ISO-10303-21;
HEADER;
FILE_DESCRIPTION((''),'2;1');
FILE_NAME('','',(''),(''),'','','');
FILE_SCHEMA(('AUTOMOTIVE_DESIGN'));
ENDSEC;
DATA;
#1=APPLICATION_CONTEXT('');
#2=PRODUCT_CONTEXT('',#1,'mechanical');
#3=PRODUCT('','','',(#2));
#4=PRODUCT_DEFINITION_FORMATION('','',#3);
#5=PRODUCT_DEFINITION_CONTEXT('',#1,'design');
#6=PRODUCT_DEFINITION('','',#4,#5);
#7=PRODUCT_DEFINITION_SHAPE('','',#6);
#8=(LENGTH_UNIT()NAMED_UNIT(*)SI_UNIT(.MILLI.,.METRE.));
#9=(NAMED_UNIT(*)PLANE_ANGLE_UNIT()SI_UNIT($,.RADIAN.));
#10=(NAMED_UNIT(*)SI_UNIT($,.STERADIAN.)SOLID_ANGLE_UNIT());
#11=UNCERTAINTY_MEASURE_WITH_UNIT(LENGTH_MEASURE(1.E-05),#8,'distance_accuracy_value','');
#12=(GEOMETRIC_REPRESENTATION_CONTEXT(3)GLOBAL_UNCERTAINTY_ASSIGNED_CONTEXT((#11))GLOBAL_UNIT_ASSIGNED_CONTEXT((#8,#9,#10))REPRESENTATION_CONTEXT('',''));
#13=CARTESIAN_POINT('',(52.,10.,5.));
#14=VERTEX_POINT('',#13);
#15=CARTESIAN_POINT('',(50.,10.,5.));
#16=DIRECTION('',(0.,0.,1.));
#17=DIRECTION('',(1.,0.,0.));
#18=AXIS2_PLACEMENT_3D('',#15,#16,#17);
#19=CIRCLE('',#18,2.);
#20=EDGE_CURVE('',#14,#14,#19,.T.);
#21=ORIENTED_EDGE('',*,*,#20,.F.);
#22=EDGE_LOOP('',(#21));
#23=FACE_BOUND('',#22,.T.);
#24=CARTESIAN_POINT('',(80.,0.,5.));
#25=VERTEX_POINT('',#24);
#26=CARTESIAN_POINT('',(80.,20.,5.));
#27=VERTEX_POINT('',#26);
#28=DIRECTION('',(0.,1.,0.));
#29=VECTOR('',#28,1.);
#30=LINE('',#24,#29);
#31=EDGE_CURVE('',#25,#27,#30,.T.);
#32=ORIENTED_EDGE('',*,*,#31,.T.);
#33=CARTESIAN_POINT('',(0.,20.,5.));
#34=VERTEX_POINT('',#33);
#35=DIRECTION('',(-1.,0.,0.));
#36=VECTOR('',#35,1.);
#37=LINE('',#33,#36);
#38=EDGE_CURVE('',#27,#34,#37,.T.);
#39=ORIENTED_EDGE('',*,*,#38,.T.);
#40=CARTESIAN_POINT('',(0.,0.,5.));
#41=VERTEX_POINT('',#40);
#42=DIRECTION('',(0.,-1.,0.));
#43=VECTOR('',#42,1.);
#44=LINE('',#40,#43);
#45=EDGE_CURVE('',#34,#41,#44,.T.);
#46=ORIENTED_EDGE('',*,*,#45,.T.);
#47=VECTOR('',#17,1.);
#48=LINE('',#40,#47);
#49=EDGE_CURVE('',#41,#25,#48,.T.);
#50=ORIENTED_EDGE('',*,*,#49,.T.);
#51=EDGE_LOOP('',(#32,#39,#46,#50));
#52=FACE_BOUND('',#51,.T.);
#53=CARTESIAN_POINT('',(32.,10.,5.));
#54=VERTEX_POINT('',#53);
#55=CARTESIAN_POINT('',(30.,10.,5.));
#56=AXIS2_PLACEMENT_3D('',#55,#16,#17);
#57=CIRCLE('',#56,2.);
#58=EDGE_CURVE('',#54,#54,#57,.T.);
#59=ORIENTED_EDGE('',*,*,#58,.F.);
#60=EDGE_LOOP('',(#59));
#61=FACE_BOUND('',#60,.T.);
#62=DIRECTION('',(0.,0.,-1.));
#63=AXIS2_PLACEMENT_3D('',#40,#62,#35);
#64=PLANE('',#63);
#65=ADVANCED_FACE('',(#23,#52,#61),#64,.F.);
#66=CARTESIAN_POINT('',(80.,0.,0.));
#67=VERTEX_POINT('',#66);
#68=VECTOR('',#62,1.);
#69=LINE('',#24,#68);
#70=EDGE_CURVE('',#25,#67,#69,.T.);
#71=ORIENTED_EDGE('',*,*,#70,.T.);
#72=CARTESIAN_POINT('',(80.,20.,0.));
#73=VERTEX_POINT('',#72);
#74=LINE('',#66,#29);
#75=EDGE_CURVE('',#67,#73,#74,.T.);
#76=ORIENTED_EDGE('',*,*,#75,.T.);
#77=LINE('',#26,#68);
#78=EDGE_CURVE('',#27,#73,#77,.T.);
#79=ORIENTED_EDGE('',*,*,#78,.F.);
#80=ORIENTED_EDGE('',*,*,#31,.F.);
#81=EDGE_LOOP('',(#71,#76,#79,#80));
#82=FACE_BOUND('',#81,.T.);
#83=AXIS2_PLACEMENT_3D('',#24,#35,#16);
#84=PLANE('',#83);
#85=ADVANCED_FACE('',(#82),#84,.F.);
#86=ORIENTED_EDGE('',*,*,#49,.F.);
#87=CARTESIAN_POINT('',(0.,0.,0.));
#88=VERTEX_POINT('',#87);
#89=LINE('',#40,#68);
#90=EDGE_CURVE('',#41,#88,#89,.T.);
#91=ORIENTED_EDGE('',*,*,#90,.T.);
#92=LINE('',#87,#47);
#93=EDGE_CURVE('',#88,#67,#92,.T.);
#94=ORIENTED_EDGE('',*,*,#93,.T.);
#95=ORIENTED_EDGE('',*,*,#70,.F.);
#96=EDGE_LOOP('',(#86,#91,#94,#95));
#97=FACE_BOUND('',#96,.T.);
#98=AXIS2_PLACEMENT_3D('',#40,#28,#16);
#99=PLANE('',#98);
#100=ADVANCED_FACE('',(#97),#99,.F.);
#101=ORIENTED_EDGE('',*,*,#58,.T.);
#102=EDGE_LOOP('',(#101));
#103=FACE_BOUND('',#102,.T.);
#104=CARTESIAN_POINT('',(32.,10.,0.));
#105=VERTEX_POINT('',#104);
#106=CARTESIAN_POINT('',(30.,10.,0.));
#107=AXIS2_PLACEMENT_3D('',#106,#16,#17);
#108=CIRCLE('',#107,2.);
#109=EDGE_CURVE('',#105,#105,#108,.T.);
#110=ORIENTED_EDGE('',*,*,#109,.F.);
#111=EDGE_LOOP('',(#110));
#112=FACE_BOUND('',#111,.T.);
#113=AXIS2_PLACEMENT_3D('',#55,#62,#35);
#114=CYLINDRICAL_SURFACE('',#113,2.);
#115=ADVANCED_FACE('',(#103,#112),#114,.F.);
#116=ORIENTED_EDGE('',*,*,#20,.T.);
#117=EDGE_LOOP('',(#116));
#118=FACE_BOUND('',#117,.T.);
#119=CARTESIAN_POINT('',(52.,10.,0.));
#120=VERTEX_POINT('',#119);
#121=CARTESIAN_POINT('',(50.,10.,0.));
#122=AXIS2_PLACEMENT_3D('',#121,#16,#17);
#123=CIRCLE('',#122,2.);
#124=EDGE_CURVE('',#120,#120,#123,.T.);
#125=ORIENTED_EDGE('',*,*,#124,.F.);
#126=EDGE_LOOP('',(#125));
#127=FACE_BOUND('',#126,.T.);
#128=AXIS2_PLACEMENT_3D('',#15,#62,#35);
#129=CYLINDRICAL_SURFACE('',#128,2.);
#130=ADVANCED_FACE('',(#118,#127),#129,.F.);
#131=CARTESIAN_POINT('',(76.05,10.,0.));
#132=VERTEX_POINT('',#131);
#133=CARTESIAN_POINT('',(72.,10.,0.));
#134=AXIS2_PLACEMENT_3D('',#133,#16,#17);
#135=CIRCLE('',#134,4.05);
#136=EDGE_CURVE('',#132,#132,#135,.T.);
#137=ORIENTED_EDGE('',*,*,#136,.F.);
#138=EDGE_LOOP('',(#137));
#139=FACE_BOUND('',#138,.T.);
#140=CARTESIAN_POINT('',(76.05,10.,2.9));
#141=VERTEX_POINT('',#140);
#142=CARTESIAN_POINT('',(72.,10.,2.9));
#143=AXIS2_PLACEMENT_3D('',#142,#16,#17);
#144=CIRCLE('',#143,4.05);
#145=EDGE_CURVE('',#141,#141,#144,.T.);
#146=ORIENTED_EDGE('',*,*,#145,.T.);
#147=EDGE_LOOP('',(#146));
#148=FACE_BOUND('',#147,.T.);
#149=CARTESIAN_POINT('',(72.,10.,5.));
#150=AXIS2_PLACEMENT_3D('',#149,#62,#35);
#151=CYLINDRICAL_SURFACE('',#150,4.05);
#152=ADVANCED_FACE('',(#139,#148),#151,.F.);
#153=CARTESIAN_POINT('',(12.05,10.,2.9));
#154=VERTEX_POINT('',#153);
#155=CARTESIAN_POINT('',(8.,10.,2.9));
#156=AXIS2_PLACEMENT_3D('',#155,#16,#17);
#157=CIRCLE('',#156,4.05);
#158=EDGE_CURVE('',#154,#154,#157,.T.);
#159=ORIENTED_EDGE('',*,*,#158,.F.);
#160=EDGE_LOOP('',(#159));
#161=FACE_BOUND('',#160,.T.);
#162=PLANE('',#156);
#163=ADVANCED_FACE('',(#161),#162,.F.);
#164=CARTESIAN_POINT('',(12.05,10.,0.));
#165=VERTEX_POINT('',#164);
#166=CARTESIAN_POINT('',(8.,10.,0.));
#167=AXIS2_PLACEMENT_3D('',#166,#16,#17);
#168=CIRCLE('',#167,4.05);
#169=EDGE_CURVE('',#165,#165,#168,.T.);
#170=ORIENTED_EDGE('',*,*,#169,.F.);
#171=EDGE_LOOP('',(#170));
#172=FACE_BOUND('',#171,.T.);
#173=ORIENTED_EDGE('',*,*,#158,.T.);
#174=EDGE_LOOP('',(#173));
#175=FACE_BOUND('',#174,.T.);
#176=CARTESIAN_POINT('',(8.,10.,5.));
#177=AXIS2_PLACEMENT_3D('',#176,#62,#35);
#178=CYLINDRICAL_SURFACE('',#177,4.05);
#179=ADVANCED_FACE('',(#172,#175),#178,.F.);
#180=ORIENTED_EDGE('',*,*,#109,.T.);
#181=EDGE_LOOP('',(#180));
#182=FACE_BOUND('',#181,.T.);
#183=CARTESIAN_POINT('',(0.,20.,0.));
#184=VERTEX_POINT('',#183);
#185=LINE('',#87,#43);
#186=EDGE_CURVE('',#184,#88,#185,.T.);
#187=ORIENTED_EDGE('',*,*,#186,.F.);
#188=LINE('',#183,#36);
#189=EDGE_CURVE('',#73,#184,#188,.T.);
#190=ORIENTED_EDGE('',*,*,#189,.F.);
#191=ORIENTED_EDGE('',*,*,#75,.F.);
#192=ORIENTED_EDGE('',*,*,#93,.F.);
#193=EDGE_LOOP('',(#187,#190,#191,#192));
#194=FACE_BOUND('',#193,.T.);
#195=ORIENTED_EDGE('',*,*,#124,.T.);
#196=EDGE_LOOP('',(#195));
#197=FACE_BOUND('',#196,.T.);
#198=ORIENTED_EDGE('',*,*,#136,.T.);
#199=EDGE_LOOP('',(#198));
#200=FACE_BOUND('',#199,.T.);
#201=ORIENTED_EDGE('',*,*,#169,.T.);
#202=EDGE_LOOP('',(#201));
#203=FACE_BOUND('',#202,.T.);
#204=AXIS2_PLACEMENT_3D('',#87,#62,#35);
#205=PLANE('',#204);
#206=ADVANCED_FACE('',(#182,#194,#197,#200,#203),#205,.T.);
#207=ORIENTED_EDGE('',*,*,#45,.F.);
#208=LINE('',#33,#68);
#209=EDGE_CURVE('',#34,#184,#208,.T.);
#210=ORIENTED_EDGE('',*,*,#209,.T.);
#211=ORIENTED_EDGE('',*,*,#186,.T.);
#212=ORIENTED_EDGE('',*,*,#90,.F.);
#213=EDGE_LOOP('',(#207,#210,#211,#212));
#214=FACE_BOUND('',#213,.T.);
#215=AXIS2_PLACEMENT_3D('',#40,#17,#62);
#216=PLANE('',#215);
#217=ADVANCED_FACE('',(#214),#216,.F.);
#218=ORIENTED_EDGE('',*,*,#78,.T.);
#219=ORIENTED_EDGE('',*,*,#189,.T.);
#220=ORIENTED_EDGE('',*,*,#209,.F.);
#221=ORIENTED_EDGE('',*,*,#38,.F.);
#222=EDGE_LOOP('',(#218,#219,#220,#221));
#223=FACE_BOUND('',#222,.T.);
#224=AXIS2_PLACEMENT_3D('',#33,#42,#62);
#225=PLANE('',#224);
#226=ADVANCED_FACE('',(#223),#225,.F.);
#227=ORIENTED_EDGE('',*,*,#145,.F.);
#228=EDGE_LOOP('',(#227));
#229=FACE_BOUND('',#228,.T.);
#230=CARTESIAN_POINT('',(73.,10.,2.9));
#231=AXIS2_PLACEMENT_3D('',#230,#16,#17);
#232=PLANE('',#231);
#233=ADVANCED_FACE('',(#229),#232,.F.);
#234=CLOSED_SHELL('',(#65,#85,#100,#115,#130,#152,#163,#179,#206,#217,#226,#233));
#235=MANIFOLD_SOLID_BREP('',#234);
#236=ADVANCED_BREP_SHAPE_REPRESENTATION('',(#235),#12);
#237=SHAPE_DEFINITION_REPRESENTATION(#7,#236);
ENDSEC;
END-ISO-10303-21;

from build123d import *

# Parameters (mm, degrees)
CROQUIS1_W              = 80
CROQUIS1_H              = 20
CROQUIS1_R              = 2
CROQUIS1_R_2            = 4.05
SALIENTE_EXTRUIR2_DEPTH = 5
CROQUIS2_R              = 6
SALIENTE_EXTRUIR3_DEPTH = 2.1


with BuildPart() as part:
    # Croquis1 → Saliente-Extruir2 (new body)
    with BuildSketch(Plane.XY):
        with Locations((40, 10)):
            Rectangle(CROQUIS1_W, CROQUIS1_H)
        with Locations((30, 10)):
            Circle(CROQUIS1_R, mode=Mode.SUBTRACT)
        with Locations((50, 10)):
            Circle(CROQUIS1_R, mode=Mode.SUBTRACT)
        with Locations((8, 10)):
            Circle(CROQUIS1_R_2, mode=Mode.SUBTRACT)
        with Locations((72, 10)):
            Circle(CROQUIS1_R_2, mode=Mode.SUBTRACT)
    extrude(amount=SALIENTE_EXTRUIR2_DEPTH)

    # Croquis2 → Saliente-Extruir3 (add)
    with BuildSketch(Plane.XY.offset(5)):
        with Locations((8, 10)):
            Circle(CROQUIS2_R)
        with Locations((73, 10)):
            Circle(CROQUIS2_R)
    extrude(amount=-SALIENTE_EXTRUIR3_DEPTH)


solid = part.part
